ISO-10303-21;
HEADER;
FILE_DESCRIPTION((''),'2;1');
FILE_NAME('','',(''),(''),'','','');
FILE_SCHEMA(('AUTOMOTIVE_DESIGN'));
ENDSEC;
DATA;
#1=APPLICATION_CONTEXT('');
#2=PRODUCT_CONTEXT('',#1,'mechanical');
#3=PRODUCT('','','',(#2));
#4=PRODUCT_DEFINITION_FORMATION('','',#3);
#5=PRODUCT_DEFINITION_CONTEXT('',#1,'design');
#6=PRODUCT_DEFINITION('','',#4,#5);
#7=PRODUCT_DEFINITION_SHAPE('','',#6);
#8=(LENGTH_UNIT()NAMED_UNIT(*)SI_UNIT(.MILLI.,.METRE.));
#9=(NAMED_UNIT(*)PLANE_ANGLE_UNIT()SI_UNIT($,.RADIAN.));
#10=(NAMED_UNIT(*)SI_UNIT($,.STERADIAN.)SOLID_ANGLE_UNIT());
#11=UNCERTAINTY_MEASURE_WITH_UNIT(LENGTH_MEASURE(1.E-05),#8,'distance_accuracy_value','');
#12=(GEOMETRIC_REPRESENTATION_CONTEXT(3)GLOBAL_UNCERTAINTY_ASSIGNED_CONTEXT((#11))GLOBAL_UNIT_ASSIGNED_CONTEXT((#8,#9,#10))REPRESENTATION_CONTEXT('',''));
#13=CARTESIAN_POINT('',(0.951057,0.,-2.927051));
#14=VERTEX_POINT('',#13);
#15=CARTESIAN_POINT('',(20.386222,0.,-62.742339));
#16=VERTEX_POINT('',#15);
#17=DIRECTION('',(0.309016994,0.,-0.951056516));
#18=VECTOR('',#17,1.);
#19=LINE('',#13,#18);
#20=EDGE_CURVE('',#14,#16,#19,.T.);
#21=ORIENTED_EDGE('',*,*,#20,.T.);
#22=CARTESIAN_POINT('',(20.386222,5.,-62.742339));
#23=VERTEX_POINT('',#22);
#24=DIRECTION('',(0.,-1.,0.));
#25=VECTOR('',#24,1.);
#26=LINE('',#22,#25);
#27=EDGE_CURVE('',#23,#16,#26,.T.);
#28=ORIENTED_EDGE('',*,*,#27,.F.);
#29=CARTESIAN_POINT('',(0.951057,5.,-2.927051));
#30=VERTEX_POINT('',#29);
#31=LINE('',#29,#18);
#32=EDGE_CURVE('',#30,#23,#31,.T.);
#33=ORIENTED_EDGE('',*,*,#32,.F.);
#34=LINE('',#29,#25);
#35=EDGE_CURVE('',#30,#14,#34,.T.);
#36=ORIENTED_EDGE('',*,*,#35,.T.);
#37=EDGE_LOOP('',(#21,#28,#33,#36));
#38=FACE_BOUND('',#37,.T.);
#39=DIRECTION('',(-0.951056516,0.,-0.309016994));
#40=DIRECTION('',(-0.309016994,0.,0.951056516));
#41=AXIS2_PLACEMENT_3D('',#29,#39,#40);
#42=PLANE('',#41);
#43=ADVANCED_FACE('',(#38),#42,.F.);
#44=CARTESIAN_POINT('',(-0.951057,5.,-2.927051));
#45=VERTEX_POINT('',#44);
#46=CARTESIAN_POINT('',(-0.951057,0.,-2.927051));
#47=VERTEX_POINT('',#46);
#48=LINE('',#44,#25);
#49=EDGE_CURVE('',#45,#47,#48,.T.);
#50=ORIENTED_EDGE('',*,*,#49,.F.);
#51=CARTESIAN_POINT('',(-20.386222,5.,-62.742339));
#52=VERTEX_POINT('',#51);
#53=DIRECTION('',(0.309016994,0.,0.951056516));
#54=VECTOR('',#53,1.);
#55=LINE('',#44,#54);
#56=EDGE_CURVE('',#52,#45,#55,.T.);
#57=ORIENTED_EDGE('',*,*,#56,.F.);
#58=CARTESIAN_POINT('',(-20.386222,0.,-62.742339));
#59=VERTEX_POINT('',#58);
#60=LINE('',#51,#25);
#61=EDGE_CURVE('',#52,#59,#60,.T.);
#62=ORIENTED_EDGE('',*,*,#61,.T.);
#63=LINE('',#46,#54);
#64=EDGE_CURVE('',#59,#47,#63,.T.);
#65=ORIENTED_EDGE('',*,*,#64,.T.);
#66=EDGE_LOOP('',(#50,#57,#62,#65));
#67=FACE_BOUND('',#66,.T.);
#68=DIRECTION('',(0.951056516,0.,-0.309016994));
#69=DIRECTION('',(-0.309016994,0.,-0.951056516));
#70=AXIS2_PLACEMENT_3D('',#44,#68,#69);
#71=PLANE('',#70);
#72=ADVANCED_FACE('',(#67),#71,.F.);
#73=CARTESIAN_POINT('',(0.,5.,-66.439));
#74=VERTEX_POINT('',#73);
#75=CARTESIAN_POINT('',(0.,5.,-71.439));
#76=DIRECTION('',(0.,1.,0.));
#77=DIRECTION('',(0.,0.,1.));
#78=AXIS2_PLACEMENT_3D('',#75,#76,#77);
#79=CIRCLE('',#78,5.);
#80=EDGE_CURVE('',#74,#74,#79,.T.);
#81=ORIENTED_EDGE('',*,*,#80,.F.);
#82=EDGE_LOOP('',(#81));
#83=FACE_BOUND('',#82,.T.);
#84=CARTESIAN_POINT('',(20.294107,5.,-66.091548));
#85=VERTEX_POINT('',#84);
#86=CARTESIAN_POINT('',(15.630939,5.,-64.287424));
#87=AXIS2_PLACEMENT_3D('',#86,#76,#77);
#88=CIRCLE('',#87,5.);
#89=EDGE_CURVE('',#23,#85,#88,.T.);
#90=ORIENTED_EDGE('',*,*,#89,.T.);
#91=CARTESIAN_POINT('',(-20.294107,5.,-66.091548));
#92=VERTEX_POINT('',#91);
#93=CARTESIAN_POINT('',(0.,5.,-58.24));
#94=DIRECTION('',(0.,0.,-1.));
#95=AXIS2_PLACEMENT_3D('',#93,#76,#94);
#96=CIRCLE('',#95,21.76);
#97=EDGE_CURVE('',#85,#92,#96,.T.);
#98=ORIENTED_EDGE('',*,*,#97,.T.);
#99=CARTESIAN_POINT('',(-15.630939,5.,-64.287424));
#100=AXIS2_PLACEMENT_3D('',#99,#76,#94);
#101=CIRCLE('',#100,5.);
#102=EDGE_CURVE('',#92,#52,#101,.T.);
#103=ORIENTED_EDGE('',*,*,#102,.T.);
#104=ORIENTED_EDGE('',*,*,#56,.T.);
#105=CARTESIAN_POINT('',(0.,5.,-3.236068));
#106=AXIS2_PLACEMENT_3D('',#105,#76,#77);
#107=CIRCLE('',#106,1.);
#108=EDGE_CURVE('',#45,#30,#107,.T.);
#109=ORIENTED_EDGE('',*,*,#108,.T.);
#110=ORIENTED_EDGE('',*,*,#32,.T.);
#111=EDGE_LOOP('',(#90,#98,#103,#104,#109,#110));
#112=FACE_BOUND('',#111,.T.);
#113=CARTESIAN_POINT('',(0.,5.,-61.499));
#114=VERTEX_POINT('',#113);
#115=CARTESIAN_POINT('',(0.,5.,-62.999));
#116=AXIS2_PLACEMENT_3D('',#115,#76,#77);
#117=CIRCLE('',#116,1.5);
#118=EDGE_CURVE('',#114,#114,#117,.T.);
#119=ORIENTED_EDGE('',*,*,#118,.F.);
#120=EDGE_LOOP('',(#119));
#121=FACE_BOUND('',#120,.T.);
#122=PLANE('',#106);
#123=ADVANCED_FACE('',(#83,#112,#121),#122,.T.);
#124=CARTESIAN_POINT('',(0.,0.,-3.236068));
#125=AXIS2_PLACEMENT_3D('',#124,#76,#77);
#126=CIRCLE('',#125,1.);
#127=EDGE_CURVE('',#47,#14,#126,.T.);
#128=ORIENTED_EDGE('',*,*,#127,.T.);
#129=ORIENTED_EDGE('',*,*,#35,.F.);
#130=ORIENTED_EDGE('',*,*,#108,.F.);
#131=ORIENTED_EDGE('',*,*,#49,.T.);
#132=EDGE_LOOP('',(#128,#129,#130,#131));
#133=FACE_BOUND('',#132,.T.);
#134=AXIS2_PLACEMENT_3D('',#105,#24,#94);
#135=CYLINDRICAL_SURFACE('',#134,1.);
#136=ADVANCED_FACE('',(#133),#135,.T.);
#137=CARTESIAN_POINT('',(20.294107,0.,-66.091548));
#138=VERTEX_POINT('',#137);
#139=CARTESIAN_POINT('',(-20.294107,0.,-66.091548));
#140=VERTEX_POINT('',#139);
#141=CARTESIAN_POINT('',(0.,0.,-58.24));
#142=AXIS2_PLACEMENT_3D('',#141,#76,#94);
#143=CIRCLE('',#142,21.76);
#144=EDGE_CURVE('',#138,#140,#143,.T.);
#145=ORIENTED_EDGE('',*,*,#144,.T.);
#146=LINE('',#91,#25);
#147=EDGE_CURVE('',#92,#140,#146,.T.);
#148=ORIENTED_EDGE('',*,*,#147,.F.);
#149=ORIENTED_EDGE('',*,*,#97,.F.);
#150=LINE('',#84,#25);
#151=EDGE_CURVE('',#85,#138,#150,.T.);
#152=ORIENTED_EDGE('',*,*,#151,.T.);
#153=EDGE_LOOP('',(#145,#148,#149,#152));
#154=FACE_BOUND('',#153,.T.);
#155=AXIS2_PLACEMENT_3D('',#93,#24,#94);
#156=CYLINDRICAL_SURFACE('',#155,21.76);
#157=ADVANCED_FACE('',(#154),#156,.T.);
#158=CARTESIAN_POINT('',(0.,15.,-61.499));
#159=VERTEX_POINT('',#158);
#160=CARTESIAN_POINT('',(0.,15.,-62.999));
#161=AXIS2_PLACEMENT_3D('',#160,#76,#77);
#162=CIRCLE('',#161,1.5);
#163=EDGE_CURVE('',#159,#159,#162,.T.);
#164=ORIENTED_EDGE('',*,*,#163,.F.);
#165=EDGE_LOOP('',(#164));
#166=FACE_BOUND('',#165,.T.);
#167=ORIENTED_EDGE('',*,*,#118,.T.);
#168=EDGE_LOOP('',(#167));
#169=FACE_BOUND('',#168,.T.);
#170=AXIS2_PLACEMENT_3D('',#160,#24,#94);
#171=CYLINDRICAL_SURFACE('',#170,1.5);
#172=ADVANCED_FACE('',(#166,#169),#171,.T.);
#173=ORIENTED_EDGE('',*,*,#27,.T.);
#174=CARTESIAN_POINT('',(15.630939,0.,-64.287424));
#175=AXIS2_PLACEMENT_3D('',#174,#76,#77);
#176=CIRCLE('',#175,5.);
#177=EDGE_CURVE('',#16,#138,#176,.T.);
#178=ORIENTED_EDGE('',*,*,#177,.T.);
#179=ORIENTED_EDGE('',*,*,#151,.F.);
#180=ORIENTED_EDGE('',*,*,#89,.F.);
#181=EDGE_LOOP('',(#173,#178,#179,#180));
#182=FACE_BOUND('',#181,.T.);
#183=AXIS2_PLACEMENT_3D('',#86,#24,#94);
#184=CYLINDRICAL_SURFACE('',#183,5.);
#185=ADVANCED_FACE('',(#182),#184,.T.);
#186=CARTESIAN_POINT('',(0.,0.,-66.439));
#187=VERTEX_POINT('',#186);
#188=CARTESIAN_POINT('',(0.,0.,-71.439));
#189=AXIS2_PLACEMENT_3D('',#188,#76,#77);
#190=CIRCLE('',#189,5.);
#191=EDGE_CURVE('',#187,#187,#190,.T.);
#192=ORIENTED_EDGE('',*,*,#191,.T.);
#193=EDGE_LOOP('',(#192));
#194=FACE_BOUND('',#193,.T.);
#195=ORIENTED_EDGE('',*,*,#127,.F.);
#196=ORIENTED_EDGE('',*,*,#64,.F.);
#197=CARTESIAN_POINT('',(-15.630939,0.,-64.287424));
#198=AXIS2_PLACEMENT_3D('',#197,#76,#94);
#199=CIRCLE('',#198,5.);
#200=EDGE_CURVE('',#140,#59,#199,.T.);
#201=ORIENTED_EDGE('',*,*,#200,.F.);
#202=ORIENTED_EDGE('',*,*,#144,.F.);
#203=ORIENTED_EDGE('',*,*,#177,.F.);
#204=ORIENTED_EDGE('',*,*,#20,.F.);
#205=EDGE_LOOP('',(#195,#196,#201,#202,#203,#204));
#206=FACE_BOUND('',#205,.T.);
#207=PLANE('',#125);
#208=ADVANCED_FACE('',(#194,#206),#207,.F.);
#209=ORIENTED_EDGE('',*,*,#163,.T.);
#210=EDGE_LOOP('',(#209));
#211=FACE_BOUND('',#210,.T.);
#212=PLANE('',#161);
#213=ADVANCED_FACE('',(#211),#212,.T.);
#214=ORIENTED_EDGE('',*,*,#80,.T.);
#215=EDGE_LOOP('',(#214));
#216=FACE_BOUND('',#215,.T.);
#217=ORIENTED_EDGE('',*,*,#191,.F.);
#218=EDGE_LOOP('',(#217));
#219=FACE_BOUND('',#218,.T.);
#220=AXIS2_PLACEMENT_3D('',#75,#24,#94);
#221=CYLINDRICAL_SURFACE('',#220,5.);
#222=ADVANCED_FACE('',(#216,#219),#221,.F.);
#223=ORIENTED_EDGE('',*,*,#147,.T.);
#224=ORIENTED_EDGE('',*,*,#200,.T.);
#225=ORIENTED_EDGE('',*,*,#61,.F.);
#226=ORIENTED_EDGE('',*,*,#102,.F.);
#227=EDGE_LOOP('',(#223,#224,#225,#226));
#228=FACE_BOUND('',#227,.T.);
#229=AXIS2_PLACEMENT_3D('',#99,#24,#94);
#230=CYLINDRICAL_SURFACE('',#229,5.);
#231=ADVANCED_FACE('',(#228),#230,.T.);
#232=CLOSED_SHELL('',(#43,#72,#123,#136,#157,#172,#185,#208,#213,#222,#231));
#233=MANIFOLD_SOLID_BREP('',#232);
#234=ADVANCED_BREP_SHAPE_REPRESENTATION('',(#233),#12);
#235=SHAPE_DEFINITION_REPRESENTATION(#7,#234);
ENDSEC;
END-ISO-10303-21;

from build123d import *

# Parameters (mm, degrees)
SKETCH4_R           = 5
BOSS_EXTRUDE1_DEPTH = 5
SKETCH7_R           = 1.5
BOSS_EXTRUDE2_DEPTH = 10


with BuildPart() as part:
    # Sketch4 → Boss-Extrude1 (new body)
    with BuildSketch(Plane(origin=(0, 0, 0), x_dir=(1, 0, 0), z_dir=(0, 1, 0))):
        with BuildLine():
            Line((0.951056516, 2.927050983), (20.386221797, 62.74233921))
            ThreePointArc((20.386221797, 62.74233921), (20.629049199, 64.42488908), (20.294107239, 66.091548341))
            ThreePointArc((20.294107239, 66.091548341), (0, 80), (-20.294107239, 66.091548341))
            ThreePointArc((-20.294107239, 66.091548341), (-20.629049199, 64.42488908), (-20.386221797, 62.74233921))
            Line((-20.386221797, 62.74233921), (-0.951056516, 2.927050983))
            ThreePointArc((-0.951056516, 2.927050983), (0, 2.236067977), (0.951056516, 2.927050983))
        make_face()
        with Locations((0, 71.439)):
            Circle(SKETCH4_R, mode=Mode.SUBTRACT)
    extrude(amount=BOSS_EXTRUDE1_DEPTH)

    # Sketch7 → Boss-Extrude2 (add)
    with BuildSketch(Plane(origin=(0, 5, 0), x_dir=(1, 0, 0), z_dir=(0, 1, 0))):
        with Locations((0, 62.999)):
            Circle(SKETCH7_R)
    extrude(amount=BOSS_EXTRUDE2_DEPTH)


solid = part.part
